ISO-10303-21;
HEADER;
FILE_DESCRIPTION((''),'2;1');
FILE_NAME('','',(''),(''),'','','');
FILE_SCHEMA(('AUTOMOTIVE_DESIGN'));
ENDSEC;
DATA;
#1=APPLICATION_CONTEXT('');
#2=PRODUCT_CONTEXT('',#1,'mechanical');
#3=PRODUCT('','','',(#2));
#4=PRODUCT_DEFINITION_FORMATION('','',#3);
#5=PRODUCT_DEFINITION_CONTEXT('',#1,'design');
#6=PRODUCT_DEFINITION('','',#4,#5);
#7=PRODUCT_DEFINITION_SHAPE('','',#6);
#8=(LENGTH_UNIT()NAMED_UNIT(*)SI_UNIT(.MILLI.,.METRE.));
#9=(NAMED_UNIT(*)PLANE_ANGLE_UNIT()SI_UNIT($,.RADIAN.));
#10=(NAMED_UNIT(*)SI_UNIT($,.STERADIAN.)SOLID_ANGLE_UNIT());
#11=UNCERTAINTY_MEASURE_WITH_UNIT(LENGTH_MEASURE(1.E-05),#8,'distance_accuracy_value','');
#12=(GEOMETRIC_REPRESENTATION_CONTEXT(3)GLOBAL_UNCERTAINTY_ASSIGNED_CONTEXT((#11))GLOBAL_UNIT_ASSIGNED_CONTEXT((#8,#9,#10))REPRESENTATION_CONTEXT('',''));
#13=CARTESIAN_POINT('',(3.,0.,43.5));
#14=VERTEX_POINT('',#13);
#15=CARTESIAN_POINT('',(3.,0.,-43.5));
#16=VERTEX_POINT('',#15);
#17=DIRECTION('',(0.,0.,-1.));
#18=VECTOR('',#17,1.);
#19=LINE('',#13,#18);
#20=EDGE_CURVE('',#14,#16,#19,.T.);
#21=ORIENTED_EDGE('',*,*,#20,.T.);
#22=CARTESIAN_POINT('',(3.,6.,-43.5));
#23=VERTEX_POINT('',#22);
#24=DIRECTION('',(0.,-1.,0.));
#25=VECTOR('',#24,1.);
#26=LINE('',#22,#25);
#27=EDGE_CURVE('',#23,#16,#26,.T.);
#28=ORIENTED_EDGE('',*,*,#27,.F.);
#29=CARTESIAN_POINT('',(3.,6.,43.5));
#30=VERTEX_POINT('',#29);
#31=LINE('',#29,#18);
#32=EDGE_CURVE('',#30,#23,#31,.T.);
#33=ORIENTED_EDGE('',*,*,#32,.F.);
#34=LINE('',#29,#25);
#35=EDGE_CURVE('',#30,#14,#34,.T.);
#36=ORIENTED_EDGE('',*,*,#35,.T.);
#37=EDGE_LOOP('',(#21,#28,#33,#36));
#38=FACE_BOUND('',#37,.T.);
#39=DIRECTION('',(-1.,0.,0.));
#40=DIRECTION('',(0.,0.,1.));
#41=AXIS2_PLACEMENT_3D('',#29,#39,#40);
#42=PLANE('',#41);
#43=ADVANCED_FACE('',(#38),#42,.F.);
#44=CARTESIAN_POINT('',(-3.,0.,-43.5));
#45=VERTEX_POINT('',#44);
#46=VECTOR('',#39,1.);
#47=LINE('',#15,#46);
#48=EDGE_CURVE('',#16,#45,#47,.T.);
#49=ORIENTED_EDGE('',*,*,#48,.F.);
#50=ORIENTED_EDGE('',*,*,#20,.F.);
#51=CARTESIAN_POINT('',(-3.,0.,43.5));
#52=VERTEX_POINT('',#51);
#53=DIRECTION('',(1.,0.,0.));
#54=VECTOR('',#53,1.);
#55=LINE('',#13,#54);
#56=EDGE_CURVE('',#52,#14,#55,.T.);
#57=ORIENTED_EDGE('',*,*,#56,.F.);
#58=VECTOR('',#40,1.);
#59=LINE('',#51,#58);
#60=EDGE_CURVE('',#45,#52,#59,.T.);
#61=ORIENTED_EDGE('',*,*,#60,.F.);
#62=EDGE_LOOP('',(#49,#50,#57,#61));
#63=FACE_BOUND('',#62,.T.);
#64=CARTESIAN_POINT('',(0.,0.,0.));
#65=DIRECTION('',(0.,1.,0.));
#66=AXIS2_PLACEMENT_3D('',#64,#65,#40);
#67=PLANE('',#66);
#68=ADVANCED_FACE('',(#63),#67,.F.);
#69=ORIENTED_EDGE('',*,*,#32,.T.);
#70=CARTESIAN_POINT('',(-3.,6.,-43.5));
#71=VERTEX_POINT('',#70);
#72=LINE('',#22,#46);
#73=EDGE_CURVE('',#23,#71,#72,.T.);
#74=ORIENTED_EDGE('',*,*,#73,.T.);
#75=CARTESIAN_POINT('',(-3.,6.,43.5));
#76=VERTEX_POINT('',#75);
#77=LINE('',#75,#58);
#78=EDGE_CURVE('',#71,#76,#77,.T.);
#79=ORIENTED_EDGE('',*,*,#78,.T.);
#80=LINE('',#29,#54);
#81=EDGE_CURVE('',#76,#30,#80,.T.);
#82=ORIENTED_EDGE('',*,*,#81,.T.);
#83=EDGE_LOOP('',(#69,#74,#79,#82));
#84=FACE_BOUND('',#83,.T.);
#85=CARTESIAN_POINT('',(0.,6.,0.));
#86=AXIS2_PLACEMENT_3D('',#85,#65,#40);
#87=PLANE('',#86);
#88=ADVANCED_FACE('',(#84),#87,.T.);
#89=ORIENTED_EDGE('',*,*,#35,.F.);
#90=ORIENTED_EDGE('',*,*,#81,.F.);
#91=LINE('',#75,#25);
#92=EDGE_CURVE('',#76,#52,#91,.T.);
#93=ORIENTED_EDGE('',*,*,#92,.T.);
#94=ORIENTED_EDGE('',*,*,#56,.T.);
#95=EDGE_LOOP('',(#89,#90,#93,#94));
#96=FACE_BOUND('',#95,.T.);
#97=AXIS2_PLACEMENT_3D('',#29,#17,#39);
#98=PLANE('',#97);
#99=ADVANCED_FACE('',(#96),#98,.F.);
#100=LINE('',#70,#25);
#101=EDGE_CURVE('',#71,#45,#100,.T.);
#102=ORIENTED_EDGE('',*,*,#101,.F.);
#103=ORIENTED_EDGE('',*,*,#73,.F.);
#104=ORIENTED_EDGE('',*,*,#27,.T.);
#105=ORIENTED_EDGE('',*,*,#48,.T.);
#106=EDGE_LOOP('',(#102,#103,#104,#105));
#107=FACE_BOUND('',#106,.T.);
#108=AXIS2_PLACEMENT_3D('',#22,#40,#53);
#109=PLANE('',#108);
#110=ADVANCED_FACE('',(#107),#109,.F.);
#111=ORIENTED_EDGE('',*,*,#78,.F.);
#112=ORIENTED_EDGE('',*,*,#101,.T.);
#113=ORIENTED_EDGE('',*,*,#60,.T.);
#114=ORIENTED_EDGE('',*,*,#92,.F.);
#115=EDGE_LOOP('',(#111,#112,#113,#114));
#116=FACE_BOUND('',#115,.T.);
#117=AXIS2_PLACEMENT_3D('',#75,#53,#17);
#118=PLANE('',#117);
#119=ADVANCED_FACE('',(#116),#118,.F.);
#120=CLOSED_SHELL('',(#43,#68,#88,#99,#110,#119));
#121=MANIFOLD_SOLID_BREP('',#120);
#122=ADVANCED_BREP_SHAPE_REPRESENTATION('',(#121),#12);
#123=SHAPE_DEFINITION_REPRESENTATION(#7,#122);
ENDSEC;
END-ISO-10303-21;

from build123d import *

# Parameters (mm, degrees)
ESBO_O1_W                = 6
ESBO_O1_H                = 87
RESSALTO_EXTRUS_O1_DEPTH = 6


with BuildPart() as part:
    # Esboço1 → Ressalto-extrusão1 (new body)
    with BuildSketch(Plane(origin=(0, 0, 0), x_dir=(1, 0, 0), z_dir=(0, 1, 0))):
        Rectangle(ESBO_O1_W, ESBO_O1_H)
    extrude(amount=RESSALTO_EXTRUS_O1_DEPTH)


solid = part.part
